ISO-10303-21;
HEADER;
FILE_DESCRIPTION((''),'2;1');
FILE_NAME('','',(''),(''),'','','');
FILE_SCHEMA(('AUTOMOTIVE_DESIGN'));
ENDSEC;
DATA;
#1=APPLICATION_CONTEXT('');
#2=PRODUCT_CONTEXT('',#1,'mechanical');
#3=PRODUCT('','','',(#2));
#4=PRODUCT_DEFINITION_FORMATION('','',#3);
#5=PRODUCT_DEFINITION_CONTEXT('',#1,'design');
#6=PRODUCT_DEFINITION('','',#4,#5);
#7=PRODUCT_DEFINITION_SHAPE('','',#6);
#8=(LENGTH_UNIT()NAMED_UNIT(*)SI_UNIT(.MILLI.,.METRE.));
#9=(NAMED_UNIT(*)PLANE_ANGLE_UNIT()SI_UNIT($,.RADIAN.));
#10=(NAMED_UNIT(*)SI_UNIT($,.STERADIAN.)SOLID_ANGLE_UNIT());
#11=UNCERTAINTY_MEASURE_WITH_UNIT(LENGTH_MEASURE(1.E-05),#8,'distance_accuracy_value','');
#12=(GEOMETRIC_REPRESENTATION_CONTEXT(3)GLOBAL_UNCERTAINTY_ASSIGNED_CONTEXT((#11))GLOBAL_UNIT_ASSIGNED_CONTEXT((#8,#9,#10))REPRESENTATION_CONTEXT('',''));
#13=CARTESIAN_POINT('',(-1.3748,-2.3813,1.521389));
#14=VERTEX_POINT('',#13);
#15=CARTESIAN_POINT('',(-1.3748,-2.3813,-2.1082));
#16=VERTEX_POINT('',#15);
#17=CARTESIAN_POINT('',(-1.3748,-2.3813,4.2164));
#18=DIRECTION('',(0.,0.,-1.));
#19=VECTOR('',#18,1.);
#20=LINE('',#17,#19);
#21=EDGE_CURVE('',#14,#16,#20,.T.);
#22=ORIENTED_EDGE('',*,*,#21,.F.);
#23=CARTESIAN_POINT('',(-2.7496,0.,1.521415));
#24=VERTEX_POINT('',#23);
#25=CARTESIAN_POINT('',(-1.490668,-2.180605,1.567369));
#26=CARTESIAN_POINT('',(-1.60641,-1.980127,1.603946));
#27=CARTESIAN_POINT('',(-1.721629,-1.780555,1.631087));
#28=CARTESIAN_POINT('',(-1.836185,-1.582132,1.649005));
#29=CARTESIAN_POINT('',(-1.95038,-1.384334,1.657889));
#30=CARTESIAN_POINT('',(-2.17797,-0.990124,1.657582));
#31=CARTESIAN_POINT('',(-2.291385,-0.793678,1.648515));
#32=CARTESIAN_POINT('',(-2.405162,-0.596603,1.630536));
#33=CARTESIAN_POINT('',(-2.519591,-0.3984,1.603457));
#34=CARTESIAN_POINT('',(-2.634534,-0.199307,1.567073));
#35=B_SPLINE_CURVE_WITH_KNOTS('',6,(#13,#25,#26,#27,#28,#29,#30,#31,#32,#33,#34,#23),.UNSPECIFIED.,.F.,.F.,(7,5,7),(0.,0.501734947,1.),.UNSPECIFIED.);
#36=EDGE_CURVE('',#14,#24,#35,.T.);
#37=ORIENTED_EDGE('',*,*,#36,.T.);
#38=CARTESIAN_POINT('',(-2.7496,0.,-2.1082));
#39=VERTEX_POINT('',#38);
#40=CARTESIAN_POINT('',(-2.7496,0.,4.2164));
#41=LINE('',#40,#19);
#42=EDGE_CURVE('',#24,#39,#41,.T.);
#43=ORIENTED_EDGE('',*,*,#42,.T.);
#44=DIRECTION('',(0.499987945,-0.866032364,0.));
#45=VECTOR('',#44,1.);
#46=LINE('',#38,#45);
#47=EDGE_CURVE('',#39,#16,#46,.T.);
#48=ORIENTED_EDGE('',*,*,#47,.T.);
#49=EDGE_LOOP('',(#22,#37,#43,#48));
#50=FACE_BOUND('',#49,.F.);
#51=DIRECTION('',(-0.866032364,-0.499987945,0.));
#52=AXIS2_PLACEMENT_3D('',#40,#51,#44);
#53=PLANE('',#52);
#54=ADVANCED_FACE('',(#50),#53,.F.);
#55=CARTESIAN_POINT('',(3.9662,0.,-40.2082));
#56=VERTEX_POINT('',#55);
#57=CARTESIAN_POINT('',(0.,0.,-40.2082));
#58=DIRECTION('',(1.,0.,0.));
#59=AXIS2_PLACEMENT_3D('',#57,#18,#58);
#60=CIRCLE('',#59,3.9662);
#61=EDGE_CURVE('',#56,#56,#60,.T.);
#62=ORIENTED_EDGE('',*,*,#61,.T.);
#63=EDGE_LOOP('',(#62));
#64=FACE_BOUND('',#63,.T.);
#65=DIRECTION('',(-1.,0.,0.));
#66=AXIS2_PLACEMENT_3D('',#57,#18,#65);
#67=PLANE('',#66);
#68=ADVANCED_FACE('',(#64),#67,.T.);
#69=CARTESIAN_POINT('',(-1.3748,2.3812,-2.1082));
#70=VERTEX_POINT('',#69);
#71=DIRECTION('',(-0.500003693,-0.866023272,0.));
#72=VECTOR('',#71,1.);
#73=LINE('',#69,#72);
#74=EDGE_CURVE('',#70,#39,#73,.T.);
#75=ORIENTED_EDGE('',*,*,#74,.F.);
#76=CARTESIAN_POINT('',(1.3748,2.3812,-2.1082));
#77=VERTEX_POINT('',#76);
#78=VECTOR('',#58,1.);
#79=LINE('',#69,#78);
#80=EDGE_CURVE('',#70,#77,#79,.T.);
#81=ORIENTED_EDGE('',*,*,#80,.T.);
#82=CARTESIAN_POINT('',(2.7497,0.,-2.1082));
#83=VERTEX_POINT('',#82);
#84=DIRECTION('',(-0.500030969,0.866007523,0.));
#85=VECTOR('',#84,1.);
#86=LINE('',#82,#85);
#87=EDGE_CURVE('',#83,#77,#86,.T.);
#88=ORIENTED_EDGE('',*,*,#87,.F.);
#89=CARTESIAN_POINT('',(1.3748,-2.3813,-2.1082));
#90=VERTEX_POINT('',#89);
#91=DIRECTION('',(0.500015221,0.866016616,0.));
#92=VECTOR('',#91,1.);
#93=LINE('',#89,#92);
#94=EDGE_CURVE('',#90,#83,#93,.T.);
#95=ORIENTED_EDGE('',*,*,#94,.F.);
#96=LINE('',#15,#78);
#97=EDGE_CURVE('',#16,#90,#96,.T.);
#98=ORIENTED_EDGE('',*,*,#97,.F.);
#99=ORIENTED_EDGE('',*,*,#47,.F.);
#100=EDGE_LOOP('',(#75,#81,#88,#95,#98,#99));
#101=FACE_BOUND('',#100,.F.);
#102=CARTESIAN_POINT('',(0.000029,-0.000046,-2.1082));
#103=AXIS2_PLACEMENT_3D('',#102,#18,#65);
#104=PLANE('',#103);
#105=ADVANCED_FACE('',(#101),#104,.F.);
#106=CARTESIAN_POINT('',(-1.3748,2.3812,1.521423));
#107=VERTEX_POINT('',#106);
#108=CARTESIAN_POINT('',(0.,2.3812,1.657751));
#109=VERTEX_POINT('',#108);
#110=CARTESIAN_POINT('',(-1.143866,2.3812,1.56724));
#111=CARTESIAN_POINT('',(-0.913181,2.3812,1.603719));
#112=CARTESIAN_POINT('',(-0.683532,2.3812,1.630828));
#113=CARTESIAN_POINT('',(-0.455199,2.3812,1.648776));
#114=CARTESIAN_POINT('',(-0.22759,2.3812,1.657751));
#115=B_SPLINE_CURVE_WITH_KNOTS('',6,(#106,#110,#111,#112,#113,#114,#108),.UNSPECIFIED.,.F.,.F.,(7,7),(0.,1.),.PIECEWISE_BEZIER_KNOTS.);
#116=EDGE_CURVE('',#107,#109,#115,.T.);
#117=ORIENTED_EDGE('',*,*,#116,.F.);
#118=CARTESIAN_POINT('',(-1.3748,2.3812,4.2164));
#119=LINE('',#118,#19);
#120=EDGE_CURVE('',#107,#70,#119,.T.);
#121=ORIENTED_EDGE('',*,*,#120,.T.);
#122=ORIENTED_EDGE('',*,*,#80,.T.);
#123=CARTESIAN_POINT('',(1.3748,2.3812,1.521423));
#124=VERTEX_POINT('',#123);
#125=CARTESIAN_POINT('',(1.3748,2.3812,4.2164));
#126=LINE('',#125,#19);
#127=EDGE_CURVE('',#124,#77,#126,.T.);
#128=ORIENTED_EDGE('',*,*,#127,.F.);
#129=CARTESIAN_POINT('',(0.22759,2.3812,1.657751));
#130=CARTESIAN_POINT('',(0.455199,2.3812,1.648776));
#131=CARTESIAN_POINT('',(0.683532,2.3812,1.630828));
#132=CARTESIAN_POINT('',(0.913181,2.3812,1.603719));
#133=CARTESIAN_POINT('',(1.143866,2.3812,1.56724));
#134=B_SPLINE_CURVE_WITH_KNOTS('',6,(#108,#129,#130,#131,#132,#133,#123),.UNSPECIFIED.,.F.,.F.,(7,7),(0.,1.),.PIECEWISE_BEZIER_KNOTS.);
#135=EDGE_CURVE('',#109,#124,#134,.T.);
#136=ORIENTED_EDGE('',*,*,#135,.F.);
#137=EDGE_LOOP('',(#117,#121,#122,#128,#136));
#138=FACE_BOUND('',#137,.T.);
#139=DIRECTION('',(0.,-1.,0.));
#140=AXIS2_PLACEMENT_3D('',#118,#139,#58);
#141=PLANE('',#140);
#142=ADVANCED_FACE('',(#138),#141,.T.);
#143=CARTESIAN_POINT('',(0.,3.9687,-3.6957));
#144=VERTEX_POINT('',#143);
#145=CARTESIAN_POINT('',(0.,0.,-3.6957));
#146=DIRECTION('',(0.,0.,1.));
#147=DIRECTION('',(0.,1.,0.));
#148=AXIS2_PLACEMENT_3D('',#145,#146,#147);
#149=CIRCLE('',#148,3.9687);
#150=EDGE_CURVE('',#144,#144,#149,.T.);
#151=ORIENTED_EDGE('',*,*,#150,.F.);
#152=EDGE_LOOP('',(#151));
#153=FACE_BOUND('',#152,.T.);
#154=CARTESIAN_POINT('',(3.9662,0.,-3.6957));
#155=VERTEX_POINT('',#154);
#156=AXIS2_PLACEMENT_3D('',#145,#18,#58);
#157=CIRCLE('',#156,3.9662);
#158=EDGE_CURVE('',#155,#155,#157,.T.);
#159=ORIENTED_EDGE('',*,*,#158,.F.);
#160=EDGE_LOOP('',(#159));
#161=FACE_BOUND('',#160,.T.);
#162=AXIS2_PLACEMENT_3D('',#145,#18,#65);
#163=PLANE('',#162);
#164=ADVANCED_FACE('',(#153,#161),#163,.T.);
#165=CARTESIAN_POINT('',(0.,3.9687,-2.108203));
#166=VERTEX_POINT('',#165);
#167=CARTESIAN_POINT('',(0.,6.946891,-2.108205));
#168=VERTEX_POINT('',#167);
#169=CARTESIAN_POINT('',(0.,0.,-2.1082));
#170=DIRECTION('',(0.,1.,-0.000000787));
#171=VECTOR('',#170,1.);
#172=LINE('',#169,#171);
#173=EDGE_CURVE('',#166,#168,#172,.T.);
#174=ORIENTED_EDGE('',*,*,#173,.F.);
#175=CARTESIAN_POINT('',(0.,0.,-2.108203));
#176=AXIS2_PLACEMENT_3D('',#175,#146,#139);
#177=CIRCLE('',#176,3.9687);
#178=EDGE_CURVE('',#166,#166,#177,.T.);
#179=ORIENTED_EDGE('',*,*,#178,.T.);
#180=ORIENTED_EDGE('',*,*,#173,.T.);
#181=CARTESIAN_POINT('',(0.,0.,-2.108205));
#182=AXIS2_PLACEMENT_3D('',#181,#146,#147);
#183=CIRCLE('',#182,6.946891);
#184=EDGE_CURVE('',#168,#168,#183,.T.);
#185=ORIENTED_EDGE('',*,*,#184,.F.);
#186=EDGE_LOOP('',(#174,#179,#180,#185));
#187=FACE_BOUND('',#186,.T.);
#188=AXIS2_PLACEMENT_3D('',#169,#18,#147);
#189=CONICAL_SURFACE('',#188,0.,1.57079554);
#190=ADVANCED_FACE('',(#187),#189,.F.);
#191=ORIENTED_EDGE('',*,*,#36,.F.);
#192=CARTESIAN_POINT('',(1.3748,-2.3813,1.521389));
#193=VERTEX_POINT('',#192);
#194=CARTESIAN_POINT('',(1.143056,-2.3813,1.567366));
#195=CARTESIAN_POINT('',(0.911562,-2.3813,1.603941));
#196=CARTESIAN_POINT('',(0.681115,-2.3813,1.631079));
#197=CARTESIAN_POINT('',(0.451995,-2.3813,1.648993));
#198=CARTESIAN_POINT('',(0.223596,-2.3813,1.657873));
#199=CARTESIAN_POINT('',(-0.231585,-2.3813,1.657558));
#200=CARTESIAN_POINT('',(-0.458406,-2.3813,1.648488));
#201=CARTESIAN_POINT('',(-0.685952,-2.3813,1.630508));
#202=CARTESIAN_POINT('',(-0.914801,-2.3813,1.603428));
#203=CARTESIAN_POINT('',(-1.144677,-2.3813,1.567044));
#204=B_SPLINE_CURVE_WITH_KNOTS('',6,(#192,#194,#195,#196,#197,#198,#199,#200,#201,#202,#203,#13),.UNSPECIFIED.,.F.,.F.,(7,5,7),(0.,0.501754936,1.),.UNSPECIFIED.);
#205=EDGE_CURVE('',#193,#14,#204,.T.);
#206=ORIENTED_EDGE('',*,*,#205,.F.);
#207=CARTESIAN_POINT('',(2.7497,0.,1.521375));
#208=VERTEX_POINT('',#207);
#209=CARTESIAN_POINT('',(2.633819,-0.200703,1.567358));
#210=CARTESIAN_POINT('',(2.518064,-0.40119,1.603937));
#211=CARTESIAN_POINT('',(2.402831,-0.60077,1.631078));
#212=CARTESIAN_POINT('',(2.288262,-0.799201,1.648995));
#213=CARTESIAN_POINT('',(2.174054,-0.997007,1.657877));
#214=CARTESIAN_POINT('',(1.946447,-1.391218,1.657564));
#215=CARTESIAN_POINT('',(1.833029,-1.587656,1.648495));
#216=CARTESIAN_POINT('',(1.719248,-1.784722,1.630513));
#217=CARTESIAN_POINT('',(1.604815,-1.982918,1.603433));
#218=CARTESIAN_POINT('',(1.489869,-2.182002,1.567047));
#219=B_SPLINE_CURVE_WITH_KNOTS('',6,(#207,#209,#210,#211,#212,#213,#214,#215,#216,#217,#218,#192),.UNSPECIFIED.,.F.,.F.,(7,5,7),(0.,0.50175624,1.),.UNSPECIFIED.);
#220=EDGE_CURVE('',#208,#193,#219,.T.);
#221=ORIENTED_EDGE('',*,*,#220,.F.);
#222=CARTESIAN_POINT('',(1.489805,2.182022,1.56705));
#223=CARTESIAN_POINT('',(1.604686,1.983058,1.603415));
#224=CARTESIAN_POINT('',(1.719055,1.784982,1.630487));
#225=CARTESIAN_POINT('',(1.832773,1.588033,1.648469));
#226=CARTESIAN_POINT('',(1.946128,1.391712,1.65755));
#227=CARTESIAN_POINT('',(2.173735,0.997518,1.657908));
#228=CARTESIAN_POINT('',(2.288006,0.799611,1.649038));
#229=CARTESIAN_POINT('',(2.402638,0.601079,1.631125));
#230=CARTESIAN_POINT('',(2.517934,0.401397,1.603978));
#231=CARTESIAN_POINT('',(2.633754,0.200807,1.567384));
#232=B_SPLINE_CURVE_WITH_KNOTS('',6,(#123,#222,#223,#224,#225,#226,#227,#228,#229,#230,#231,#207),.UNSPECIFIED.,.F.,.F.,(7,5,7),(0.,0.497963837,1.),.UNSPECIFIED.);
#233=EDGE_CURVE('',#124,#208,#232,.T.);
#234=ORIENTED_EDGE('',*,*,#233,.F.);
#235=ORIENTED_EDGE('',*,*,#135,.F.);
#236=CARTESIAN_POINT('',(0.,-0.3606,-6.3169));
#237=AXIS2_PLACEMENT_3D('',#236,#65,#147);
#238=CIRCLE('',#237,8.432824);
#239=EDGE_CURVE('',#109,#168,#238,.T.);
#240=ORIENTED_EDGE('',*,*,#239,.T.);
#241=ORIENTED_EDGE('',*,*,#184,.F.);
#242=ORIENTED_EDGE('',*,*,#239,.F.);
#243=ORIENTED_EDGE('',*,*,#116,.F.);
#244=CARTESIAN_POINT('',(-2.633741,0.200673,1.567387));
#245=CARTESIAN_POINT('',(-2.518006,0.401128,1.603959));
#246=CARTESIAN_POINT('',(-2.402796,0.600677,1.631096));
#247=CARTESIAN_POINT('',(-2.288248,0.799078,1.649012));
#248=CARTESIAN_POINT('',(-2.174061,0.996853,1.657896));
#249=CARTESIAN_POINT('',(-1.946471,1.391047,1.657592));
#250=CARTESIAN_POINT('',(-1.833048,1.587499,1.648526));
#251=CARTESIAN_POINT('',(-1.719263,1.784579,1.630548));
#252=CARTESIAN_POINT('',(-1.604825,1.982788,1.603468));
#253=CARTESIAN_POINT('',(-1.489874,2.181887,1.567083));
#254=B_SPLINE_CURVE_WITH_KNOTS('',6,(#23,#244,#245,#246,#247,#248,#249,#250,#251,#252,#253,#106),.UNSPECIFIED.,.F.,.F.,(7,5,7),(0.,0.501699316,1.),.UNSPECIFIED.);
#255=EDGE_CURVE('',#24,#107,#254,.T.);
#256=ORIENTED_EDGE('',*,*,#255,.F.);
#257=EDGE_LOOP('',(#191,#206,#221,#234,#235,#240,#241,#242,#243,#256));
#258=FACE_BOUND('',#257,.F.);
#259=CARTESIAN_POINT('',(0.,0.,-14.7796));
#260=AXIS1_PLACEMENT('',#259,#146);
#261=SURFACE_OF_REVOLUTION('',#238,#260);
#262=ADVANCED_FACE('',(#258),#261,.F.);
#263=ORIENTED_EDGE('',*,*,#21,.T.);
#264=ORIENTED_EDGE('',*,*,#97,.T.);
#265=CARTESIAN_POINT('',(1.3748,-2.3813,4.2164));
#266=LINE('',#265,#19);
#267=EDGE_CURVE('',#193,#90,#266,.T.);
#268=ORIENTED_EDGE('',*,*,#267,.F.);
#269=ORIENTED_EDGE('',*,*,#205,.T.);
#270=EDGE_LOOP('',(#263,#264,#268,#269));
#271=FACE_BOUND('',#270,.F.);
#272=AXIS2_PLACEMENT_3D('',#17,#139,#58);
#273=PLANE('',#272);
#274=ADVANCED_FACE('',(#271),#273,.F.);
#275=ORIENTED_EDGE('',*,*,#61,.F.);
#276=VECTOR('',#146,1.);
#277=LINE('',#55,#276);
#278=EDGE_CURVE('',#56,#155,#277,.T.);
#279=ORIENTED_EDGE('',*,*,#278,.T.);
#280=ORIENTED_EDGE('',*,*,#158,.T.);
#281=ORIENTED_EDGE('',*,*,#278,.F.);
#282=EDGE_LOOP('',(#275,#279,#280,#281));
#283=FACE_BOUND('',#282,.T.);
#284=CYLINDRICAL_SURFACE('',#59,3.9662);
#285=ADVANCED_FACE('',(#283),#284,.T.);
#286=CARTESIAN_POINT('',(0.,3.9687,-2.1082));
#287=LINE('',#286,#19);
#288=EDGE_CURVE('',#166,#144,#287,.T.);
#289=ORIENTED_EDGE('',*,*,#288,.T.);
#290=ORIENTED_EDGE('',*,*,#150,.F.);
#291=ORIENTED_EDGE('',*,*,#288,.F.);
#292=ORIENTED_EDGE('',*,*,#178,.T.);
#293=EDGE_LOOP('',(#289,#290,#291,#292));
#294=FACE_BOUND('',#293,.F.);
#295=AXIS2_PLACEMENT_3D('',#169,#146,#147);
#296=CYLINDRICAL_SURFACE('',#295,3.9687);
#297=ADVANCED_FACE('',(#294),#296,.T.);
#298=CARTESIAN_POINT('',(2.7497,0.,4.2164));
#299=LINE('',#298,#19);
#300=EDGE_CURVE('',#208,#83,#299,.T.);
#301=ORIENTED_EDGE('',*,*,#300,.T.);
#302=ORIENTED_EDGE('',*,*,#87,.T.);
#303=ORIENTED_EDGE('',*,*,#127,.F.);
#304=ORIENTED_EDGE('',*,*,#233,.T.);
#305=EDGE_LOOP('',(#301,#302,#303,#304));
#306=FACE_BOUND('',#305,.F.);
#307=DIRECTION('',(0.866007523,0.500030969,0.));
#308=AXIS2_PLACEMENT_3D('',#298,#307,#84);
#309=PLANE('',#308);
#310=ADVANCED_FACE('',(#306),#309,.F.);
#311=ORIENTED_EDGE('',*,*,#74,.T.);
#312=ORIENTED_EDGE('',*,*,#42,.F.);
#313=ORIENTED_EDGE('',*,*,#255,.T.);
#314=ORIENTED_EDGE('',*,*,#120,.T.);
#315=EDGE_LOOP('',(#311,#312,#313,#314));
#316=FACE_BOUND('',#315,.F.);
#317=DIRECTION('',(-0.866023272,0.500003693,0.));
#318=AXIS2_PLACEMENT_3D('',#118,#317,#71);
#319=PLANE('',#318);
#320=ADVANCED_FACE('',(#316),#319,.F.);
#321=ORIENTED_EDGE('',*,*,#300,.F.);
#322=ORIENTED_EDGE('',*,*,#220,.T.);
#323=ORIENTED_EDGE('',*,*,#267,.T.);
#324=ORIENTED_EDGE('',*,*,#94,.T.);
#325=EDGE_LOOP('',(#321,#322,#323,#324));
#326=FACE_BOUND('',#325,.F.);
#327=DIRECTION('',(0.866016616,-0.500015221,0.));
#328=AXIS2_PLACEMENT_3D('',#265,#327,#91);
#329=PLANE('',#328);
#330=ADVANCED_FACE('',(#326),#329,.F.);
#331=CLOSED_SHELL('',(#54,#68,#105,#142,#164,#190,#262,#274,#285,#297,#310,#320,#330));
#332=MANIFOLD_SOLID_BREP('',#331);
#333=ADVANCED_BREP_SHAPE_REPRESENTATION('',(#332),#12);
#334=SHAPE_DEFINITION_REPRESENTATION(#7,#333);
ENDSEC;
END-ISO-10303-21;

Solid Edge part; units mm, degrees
sketch "Sketch1" plane through (0, 0, 0) normal (1, 0, 0) x (0, 1, 0)
  line L0 (0, -2.1082) -> (0, 2.1082)
  arc A0 (0, 2.1082) -> (6.9469, -2.1082) centre (-0.3606, -6.3169) cw
  line L1 (0, -2.1082) -> (6.9469, -2.1082)
  dimension "D1" = 4.2164
  dimension "D2" = 8.4328
revolve "RevolvedProtrusion1" add sketch "Sketch1" angle 360 about axis through (0, 0, -14.7796) along (0, 0, 1)
sketch "Sketch2" plane through (0, 0, -2.1082) normal (0, 0, -1) x (0, 1, 0)
  circle A0 centre (0, 0) radius 3.9687
  dimension "D1" = 7.9375
extrude "Protrusion1" add sketch "Sketch2" along normal blind 38.1
sketch "Sketch3" plane through (0, 0, -40.2082) normal (0, 0, -1) x (1, 0, 0)
  circle A0 centre (0, 0) radius 3.9662
  dimension "D1" = 0.0025
extrude "Cutout1" cut sketch "Sketch3" against normal blind 36.5125 flip side to cut
sketch "Sketch4" plane through (-0.6032, 0.3606, 4.2164) normal (0, 0, 1) x (1, 0, 0)
  line L0 (-0.7716, 2.0206) -> (1.978, 2.0206)
  line L1 (3.3529, -0.3606) -> (1.978, 2.0206)
  line L2 (1.978, -2.7419) -> (3.3529, -0.3606)
  line L3 (-0.7716, -2.7419) -> (1.978, -2.7419)
  line L4 (-2.1464, -0.3606) -> (-0.7716, -2.7419)
  line L5 (-0.7716, 2.0206) -> (-2.1464, -0.3606)
extrude "ExtrudedCutout_11" cut sketch "Sketch4" against normal blind 6.3246
properties part number "162413"
